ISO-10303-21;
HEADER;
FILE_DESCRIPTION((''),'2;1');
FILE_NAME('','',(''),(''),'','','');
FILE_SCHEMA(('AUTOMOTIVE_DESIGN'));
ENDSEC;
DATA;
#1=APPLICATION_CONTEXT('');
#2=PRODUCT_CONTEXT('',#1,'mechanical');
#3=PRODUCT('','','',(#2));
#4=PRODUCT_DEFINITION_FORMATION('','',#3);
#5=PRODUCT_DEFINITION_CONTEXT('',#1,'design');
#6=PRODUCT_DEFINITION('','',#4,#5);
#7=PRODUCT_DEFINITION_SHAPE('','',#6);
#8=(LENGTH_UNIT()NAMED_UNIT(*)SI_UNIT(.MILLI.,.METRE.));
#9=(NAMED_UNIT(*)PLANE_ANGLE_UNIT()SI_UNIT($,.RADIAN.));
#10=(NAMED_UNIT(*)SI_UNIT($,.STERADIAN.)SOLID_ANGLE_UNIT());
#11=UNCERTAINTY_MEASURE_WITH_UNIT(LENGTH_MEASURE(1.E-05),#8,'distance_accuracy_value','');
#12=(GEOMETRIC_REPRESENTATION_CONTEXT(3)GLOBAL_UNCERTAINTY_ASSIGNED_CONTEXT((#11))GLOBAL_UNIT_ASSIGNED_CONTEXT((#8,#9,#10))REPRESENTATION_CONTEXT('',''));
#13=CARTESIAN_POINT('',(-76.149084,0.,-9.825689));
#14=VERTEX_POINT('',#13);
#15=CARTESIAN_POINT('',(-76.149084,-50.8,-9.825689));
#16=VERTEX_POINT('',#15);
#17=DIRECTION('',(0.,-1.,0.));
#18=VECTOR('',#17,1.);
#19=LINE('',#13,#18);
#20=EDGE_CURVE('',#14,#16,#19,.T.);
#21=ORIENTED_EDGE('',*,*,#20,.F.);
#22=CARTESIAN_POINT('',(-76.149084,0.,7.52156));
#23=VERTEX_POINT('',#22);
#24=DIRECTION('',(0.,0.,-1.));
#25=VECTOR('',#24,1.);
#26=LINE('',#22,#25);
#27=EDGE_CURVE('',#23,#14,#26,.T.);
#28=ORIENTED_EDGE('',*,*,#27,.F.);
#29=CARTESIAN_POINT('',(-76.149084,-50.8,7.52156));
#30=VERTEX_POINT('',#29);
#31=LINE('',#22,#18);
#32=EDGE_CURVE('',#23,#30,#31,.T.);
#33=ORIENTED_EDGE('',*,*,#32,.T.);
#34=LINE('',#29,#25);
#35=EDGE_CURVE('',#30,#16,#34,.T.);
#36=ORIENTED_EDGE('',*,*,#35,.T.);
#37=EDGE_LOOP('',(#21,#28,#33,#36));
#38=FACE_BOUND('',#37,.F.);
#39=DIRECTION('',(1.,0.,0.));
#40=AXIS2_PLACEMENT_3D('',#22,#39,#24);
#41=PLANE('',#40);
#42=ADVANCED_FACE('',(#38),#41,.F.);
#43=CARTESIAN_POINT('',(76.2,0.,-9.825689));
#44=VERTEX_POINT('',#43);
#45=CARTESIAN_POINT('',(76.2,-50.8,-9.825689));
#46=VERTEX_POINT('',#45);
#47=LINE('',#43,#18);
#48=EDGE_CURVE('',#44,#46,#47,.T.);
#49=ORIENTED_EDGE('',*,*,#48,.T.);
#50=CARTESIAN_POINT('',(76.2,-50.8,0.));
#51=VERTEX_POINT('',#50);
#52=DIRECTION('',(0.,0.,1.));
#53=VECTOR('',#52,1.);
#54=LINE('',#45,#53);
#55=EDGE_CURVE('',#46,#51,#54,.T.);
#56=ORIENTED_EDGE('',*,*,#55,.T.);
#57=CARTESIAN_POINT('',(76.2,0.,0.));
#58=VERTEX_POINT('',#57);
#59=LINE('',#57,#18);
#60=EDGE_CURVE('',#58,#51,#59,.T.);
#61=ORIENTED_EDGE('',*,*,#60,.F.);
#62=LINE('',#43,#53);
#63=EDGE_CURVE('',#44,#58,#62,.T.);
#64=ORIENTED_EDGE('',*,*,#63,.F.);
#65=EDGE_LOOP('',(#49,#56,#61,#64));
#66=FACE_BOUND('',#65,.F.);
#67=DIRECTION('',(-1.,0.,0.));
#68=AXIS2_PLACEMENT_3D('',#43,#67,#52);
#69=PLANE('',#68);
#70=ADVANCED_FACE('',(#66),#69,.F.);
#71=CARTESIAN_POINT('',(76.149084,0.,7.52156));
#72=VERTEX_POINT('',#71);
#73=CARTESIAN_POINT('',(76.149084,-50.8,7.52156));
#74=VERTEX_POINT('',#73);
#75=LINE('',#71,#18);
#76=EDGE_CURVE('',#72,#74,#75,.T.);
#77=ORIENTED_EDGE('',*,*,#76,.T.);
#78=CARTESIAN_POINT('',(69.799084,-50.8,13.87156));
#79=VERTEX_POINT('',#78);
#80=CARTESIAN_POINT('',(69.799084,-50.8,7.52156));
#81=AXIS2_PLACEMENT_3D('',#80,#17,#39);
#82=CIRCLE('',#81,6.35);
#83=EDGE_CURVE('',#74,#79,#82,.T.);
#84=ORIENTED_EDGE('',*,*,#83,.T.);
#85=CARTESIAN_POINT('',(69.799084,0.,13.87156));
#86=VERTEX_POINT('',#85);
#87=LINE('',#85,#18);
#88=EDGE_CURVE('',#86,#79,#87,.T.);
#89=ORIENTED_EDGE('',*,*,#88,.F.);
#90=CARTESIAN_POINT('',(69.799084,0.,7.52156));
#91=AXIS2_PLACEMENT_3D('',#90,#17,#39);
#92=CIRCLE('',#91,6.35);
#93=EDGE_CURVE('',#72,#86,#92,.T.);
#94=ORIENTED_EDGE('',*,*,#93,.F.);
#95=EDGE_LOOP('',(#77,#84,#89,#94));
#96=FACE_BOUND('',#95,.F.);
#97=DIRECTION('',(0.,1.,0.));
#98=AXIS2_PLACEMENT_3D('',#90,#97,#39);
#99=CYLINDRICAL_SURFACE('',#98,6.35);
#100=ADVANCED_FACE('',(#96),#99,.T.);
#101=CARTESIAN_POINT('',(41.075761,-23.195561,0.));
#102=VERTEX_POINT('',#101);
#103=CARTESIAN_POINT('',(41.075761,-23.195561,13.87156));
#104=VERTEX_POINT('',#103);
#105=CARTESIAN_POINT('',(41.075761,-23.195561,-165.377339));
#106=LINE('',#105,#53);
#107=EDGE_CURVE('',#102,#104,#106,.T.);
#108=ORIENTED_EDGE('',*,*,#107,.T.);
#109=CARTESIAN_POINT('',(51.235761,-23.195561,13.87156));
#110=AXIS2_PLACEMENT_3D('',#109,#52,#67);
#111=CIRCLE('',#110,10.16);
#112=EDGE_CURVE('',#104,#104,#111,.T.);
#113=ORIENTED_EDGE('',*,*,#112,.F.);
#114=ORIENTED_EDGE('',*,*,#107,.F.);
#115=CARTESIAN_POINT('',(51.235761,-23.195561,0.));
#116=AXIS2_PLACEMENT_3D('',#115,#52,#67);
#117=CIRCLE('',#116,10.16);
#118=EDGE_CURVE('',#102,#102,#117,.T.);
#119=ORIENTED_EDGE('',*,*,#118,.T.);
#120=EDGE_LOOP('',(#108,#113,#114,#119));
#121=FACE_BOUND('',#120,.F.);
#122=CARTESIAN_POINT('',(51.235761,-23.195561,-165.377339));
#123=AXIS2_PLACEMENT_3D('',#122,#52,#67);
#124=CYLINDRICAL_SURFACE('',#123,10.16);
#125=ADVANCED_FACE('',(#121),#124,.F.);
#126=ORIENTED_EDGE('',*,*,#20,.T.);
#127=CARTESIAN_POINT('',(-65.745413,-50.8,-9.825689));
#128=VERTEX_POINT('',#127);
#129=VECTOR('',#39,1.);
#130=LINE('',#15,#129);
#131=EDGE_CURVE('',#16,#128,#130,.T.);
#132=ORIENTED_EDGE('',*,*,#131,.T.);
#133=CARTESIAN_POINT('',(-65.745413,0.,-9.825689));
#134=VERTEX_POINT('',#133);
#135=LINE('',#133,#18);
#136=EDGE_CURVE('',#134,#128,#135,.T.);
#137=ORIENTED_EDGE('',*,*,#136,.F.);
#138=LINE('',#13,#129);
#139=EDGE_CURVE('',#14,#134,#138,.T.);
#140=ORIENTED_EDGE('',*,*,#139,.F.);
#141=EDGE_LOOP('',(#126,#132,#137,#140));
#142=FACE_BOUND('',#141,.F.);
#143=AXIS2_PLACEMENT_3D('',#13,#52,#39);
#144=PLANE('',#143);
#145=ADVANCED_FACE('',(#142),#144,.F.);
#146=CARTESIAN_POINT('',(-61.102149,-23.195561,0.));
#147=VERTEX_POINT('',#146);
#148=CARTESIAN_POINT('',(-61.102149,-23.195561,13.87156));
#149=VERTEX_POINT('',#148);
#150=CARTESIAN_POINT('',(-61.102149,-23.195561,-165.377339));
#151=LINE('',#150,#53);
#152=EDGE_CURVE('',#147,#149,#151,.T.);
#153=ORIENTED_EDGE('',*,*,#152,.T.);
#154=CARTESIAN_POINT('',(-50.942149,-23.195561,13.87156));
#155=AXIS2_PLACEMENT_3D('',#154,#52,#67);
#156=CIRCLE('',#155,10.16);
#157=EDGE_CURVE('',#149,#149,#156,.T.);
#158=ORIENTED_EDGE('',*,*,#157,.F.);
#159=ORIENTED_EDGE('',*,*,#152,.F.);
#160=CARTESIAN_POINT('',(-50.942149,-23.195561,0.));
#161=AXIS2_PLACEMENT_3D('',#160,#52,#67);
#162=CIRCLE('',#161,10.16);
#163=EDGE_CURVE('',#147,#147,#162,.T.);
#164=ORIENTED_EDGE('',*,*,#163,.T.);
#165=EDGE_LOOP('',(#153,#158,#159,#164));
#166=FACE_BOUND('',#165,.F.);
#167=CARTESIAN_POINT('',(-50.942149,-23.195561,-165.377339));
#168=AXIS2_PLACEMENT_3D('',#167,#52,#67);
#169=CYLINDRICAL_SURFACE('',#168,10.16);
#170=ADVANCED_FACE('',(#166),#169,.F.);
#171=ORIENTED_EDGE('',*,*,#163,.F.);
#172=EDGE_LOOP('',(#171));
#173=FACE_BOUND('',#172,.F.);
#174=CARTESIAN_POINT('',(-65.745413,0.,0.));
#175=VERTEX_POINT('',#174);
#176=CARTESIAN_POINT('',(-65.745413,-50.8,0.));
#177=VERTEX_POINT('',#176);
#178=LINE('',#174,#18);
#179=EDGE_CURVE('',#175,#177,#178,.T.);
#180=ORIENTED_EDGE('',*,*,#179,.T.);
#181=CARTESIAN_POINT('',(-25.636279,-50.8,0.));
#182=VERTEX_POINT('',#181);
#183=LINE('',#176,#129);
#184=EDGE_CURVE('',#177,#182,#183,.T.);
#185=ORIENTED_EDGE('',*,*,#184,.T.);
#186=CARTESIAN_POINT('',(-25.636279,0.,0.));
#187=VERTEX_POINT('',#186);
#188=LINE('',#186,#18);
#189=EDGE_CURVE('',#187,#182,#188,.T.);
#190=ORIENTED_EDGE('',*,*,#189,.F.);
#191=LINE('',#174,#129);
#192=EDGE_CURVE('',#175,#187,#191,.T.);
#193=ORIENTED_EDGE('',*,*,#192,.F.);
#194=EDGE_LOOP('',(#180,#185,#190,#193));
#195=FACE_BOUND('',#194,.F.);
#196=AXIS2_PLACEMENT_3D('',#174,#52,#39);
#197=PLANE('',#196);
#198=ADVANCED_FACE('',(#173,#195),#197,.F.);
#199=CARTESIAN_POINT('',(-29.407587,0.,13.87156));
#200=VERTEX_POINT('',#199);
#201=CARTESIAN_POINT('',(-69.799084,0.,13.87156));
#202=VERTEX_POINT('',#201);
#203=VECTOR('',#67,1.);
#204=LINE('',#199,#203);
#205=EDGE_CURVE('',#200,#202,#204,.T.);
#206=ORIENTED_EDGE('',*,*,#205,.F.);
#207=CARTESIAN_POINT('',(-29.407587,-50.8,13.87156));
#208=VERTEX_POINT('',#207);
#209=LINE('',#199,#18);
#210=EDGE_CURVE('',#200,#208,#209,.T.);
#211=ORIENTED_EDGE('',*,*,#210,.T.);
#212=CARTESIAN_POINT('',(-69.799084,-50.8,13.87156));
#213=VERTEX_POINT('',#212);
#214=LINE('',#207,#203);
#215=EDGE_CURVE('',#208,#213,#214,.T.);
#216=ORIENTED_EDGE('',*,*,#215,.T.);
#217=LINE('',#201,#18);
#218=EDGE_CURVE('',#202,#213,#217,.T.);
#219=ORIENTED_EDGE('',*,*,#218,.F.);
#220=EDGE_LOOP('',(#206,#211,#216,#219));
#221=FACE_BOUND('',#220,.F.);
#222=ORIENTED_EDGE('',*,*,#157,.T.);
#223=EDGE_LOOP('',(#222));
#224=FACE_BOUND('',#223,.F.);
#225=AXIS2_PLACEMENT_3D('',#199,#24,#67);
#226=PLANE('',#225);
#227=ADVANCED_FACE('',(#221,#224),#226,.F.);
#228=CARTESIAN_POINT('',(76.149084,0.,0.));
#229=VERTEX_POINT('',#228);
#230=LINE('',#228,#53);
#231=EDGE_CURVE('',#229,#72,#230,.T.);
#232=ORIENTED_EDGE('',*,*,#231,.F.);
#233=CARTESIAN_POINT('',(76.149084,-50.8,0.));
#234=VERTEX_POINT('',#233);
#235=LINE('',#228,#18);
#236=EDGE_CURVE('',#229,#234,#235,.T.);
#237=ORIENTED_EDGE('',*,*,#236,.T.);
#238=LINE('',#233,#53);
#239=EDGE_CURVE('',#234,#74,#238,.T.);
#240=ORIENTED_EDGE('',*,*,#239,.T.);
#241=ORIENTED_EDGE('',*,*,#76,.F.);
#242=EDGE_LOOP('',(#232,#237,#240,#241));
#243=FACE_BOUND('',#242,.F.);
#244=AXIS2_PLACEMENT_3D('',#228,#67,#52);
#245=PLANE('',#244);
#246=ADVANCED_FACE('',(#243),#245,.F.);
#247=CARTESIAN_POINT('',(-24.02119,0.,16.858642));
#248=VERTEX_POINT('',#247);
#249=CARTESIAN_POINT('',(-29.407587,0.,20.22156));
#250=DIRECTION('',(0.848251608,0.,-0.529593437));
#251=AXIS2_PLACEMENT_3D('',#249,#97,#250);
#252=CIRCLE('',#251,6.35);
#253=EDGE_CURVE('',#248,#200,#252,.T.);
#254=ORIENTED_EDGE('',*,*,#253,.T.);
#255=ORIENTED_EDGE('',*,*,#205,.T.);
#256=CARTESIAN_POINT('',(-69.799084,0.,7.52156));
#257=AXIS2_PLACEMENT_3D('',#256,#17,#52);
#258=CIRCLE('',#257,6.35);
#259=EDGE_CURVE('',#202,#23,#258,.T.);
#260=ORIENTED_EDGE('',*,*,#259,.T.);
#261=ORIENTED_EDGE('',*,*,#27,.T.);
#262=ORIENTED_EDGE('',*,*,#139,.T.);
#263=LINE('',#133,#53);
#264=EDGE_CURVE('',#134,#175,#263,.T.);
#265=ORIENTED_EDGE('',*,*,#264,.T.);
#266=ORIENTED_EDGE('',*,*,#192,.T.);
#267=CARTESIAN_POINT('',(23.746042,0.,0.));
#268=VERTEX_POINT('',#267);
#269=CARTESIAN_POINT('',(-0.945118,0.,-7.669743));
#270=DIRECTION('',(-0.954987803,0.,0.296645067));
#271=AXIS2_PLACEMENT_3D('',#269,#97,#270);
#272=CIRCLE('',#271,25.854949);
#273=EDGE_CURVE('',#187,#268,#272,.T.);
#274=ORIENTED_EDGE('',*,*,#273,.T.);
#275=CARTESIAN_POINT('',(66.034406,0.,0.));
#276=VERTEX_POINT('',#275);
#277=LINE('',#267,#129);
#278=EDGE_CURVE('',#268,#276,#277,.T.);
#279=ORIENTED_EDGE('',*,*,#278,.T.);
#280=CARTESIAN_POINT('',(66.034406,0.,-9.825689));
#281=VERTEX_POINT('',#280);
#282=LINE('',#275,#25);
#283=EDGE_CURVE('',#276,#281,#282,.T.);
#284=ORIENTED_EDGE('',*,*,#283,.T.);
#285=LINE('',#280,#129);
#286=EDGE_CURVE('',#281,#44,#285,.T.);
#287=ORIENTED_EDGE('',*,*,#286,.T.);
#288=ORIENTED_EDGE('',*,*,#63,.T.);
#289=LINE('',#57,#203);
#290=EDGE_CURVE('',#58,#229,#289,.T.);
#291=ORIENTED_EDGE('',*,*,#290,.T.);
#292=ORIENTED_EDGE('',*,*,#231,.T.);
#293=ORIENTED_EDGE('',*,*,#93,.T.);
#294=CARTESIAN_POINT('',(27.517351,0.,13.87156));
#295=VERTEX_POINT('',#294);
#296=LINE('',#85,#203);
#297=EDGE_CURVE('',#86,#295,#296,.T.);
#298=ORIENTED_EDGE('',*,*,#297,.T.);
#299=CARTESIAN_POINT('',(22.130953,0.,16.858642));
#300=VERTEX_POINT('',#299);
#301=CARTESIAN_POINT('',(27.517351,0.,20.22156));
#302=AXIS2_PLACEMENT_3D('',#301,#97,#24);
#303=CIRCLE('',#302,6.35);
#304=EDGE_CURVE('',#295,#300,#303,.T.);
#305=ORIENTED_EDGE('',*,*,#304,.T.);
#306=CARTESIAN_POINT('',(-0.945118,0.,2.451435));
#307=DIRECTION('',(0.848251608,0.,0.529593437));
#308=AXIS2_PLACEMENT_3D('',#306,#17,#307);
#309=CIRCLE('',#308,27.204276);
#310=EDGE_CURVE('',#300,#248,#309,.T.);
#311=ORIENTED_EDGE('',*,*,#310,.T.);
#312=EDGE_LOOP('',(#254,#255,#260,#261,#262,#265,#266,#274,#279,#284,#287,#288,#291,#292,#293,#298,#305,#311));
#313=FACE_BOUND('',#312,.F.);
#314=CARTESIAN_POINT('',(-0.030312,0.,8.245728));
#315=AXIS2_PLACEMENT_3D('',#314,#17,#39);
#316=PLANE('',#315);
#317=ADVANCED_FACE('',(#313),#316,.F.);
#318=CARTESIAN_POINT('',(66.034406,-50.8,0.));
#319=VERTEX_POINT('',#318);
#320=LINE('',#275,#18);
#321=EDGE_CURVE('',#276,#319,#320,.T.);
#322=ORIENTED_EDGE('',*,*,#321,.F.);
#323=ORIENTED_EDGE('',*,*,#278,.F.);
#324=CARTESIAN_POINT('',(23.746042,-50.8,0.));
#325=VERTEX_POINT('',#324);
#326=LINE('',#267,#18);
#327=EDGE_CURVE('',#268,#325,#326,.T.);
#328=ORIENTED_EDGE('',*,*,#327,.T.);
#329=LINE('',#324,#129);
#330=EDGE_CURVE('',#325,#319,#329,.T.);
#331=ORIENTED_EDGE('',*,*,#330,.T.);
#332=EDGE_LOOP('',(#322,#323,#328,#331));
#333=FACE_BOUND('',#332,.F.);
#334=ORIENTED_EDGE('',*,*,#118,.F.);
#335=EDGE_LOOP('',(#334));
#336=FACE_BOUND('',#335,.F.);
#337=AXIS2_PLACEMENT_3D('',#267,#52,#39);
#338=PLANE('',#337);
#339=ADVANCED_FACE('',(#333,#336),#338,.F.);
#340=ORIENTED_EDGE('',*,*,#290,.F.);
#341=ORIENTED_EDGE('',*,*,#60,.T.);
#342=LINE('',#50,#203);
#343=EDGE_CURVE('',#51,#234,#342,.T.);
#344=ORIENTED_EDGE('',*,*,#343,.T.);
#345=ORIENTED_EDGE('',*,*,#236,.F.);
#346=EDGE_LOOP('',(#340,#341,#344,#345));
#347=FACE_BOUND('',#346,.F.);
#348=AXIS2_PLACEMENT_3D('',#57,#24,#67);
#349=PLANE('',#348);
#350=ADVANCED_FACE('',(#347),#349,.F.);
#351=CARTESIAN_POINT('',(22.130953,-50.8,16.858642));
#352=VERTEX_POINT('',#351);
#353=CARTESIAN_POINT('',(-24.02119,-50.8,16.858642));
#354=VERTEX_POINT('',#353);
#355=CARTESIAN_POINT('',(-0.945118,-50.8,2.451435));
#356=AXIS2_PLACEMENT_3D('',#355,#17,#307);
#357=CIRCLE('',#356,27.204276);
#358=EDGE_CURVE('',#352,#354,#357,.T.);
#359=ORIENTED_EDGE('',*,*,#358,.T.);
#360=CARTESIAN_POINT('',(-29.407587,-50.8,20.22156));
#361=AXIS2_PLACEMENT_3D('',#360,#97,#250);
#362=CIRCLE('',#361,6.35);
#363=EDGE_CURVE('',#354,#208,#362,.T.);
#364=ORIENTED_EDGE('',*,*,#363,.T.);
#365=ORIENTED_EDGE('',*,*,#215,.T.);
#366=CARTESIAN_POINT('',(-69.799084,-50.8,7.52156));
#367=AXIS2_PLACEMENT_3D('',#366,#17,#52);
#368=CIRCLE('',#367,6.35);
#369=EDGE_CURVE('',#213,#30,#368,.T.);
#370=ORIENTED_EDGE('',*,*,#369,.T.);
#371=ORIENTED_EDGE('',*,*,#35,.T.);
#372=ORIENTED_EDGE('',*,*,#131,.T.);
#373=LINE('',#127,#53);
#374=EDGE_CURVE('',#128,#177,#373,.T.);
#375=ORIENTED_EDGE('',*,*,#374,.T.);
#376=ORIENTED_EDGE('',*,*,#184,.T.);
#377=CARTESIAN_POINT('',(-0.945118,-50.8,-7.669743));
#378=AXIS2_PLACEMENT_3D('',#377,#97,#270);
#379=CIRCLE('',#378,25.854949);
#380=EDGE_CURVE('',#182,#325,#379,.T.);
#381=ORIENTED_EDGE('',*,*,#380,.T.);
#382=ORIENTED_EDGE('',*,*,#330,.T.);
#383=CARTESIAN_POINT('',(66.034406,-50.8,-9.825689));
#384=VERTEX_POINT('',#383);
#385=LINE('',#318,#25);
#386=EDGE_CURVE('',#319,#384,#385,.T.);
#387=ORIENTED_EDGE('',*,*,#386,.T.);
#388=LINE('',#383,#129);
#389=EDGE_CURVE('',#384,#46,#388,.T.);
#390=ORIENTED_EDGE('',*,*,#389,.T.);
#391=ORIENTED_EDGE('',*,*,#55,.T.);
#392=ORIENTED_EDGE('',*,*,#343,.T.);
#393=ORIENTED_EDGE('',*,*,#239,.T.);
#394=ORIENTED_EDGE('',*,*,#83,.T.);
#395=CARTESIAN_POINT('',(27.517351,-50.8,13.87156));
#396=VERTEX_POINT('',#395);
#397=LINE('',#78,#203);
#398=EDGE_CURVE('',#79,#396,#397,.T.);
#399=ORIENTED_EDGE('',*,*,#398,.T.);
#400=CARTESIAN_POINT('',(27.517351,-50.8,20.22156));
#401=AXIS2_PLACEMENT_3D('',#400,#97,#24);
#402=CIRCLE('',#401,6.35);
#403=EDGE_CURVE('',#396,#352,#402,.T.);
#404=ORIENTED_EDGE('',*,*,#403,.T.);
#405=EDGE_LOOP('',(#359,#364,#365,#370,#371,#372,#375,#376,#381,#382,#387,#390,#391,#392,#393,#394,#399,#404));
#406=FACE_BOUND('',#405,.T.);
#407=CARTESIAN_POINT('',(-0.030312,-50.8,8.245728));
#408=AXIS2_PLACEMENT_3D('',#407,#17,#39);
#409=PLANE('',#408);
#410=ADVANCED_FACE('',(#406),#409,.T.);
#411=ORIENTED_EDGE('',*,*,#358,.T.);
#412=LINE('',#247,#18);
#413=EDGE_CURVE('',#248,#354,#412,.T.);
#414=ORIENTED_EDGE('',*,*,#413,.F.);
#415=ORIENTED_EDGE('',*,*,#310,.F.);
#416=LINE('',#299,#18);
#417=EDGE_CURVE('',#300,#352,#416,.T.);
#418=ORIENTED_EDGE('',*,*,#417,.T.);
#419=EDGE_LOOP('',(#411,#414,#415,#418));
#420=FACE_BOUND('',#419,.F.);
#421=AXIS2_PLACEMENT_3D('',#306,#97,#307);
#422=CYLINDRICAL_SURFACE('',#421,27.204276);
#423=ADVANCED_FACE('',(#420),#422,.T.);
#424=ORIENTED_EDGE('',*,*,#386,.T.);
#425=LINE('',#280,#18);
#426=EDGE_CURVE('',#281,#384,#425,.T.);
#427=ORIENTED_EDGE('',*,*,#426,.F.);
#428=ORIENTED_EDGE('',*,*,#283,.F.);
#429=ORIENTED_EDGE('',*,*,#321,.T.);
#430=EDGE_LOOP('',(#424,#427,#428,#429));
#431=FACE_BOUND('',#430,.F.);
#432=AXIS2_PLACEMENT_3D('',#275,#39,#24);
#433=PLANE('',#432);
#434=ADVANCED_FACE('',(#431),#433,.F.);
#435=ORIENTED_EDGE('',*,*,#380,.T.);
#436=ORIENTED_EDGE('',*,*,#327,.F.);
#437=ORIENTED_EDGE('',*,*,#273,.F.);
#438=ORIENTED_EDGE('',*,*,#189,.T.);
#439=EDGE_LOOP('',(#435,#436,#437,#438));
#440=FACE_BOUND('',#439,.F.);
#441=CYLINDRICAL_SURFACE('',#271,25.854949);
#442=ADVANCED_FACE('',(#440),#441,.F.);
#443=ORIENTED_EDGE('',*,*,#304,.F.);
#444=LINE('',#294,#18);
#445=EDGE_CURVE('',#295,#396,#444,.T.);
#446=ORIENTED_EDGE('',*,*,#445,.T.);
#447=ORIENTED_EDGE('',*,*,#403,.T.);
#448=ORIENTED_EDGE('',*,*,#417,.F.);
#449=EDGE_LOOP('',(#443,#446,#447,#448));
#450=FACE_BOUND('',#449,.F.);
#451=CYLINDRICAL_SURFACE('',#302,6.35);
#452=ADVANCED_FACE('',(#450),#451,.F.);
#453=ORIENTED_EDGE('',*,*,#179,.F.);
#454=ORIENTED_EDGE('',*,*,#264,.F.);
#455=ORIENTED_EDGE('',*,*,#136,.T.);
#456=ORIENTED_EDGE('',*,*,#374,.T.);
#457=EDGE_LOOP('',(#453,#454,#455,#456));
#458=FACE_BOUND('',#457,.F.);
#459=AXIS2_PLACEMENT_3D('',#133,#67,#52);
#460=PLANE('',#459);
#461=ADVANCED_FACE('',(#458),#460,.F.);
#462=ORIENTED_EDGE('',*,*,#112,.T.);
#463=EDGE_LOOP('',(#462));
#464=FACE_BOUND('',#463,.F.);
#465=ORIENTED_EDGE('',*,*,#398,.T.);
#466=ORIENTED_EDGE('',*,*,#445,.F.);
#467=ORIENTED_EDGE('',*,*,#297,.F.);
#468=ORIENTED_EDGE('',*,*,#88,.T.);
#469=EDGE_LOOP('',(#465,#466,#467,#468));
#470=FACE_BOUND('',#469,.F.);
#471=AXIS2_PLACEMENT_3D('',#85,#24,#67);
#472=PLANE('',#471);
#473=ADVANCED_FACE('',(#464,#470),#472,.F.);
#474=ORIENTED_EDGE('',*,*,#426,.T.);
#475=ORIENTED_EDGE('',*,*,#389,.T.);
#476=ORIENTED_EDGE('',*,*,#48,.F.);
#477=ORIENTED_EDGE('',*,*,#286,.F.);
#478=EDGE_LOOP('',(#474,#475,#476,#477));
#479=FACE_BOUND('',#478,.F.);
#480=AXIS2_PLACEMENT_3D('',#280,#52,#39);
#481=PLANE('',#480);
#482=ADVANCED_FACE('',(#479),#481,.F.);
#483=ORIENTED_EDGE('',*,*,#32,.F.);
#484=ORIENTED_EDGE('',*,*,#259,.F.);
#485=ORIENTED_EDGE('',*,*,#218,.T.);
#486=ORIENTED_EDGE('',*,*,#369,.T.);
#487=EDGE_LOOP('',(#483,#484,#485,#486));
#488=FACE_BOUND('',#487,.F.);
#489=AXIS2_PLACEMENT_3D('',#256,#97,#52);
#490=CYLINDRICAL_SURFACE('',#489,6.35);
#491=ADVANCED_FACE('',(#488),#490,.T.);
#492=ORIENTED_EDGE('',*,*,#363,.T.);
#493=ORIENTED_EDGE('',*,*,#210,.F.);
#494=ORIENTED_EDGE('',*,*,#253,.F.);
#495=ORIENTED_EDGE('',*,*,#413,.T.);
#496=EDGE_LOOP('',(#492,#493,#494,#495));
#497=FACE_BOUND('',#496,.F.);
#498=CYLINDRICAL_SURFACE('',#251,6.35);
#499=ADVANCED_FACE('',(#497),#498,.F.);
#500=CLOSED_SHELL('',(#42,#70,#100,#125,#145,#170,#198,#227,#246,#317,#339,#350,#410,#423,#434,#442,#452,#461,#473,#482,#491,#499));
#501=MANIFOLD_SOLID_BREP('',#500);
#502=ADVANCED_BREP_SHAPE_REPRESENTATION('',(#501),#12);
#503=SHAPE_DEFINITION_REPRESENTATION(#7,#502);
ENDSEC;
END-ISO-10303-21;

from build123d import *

# Parameters (mm, degrees)
F1_DEPTH = 50.8
F3_D     = 20.32


with BuildPart() as f1:
    # F0 (on Front) → F1 (new body)
    with BuildSketch(Plane.XZ):
        with BuildLine():
            ThreePointArc((-25.6362788903, 0), (-0.9451183533, 18.1852056191), (23.7460421838, 0))
            Line((23.7460421838, 0), (66.0344064236, 0))
            Line((66.0344064236, 0), (66.0344064236, -9.8256887868))
            Line((66.0344064236, -9.8256887868), (76.2, -9.8256887868))
            Line((76.2, -9.8256887868), (76.2, 0))
            Line((76.2, 0), (76.149083674, 0))
            Line((76.149083674, 0), (76.149083674, 7.5215598732))
            ThreePointArc((76.149083674, 7.5215598732), (74.2892117345, 12.0116879338), (69.799083674, 13.8715598732))
            Line((69.799083674, 13.8715598732), (27.5173505631, 13.8715598732))
            ThreePointArc((27.5173505631, 13.8715598732), (24.4377427448, 14.6683161648), (22.1309528492, 16.8586415471))
            ThreePointArc((22.1309528492, 16.8586415471), (-0.9451183533, 29.6557116959), (-24.0211895558, 16.8586415471))
            ThreePointArc((-24.0211895558, 16.8586415471), (-26.3279794513, 14.6683161648), (-29.4075872696, 13.8715598732))
            Line((-29.4075872696, 13.8715598732), (-69.799083674, 13.8715598732))
            ThreePointArc((-69.799083674, 13.8715598732), (-74.2892117345, 12.0116879338), (-76.149083674, 7.5215598732))
            Line((-76.149083674, 7.5215598732), (-76.149083674, 0))
            Line((-76.149083674, 0), (-76.149083674, -9.8256887868))
            Line((-76.149083674, -9.8256887868), (-65.7454133034, -9.8256887868))
            Line((-65.7454133034, -9.8256887868), (-65.7454133034, 0))
            Line((-65.7454133034, 0), (-25.6362788903, 0))
        make_face()
    extrude(amount=F1_DEPTH)

    # F3 (through all)
    with Locations(Plane(origin=(0, 0, 0), x_dir=(1, 0, 0), z_dir=(0, 0, -1))):
        with Locations((-50.9421490133, 23.1955610216), (51.2357614934, 23.1955610216)):
            Hole(F3_D / 2)


solid = f1.part
